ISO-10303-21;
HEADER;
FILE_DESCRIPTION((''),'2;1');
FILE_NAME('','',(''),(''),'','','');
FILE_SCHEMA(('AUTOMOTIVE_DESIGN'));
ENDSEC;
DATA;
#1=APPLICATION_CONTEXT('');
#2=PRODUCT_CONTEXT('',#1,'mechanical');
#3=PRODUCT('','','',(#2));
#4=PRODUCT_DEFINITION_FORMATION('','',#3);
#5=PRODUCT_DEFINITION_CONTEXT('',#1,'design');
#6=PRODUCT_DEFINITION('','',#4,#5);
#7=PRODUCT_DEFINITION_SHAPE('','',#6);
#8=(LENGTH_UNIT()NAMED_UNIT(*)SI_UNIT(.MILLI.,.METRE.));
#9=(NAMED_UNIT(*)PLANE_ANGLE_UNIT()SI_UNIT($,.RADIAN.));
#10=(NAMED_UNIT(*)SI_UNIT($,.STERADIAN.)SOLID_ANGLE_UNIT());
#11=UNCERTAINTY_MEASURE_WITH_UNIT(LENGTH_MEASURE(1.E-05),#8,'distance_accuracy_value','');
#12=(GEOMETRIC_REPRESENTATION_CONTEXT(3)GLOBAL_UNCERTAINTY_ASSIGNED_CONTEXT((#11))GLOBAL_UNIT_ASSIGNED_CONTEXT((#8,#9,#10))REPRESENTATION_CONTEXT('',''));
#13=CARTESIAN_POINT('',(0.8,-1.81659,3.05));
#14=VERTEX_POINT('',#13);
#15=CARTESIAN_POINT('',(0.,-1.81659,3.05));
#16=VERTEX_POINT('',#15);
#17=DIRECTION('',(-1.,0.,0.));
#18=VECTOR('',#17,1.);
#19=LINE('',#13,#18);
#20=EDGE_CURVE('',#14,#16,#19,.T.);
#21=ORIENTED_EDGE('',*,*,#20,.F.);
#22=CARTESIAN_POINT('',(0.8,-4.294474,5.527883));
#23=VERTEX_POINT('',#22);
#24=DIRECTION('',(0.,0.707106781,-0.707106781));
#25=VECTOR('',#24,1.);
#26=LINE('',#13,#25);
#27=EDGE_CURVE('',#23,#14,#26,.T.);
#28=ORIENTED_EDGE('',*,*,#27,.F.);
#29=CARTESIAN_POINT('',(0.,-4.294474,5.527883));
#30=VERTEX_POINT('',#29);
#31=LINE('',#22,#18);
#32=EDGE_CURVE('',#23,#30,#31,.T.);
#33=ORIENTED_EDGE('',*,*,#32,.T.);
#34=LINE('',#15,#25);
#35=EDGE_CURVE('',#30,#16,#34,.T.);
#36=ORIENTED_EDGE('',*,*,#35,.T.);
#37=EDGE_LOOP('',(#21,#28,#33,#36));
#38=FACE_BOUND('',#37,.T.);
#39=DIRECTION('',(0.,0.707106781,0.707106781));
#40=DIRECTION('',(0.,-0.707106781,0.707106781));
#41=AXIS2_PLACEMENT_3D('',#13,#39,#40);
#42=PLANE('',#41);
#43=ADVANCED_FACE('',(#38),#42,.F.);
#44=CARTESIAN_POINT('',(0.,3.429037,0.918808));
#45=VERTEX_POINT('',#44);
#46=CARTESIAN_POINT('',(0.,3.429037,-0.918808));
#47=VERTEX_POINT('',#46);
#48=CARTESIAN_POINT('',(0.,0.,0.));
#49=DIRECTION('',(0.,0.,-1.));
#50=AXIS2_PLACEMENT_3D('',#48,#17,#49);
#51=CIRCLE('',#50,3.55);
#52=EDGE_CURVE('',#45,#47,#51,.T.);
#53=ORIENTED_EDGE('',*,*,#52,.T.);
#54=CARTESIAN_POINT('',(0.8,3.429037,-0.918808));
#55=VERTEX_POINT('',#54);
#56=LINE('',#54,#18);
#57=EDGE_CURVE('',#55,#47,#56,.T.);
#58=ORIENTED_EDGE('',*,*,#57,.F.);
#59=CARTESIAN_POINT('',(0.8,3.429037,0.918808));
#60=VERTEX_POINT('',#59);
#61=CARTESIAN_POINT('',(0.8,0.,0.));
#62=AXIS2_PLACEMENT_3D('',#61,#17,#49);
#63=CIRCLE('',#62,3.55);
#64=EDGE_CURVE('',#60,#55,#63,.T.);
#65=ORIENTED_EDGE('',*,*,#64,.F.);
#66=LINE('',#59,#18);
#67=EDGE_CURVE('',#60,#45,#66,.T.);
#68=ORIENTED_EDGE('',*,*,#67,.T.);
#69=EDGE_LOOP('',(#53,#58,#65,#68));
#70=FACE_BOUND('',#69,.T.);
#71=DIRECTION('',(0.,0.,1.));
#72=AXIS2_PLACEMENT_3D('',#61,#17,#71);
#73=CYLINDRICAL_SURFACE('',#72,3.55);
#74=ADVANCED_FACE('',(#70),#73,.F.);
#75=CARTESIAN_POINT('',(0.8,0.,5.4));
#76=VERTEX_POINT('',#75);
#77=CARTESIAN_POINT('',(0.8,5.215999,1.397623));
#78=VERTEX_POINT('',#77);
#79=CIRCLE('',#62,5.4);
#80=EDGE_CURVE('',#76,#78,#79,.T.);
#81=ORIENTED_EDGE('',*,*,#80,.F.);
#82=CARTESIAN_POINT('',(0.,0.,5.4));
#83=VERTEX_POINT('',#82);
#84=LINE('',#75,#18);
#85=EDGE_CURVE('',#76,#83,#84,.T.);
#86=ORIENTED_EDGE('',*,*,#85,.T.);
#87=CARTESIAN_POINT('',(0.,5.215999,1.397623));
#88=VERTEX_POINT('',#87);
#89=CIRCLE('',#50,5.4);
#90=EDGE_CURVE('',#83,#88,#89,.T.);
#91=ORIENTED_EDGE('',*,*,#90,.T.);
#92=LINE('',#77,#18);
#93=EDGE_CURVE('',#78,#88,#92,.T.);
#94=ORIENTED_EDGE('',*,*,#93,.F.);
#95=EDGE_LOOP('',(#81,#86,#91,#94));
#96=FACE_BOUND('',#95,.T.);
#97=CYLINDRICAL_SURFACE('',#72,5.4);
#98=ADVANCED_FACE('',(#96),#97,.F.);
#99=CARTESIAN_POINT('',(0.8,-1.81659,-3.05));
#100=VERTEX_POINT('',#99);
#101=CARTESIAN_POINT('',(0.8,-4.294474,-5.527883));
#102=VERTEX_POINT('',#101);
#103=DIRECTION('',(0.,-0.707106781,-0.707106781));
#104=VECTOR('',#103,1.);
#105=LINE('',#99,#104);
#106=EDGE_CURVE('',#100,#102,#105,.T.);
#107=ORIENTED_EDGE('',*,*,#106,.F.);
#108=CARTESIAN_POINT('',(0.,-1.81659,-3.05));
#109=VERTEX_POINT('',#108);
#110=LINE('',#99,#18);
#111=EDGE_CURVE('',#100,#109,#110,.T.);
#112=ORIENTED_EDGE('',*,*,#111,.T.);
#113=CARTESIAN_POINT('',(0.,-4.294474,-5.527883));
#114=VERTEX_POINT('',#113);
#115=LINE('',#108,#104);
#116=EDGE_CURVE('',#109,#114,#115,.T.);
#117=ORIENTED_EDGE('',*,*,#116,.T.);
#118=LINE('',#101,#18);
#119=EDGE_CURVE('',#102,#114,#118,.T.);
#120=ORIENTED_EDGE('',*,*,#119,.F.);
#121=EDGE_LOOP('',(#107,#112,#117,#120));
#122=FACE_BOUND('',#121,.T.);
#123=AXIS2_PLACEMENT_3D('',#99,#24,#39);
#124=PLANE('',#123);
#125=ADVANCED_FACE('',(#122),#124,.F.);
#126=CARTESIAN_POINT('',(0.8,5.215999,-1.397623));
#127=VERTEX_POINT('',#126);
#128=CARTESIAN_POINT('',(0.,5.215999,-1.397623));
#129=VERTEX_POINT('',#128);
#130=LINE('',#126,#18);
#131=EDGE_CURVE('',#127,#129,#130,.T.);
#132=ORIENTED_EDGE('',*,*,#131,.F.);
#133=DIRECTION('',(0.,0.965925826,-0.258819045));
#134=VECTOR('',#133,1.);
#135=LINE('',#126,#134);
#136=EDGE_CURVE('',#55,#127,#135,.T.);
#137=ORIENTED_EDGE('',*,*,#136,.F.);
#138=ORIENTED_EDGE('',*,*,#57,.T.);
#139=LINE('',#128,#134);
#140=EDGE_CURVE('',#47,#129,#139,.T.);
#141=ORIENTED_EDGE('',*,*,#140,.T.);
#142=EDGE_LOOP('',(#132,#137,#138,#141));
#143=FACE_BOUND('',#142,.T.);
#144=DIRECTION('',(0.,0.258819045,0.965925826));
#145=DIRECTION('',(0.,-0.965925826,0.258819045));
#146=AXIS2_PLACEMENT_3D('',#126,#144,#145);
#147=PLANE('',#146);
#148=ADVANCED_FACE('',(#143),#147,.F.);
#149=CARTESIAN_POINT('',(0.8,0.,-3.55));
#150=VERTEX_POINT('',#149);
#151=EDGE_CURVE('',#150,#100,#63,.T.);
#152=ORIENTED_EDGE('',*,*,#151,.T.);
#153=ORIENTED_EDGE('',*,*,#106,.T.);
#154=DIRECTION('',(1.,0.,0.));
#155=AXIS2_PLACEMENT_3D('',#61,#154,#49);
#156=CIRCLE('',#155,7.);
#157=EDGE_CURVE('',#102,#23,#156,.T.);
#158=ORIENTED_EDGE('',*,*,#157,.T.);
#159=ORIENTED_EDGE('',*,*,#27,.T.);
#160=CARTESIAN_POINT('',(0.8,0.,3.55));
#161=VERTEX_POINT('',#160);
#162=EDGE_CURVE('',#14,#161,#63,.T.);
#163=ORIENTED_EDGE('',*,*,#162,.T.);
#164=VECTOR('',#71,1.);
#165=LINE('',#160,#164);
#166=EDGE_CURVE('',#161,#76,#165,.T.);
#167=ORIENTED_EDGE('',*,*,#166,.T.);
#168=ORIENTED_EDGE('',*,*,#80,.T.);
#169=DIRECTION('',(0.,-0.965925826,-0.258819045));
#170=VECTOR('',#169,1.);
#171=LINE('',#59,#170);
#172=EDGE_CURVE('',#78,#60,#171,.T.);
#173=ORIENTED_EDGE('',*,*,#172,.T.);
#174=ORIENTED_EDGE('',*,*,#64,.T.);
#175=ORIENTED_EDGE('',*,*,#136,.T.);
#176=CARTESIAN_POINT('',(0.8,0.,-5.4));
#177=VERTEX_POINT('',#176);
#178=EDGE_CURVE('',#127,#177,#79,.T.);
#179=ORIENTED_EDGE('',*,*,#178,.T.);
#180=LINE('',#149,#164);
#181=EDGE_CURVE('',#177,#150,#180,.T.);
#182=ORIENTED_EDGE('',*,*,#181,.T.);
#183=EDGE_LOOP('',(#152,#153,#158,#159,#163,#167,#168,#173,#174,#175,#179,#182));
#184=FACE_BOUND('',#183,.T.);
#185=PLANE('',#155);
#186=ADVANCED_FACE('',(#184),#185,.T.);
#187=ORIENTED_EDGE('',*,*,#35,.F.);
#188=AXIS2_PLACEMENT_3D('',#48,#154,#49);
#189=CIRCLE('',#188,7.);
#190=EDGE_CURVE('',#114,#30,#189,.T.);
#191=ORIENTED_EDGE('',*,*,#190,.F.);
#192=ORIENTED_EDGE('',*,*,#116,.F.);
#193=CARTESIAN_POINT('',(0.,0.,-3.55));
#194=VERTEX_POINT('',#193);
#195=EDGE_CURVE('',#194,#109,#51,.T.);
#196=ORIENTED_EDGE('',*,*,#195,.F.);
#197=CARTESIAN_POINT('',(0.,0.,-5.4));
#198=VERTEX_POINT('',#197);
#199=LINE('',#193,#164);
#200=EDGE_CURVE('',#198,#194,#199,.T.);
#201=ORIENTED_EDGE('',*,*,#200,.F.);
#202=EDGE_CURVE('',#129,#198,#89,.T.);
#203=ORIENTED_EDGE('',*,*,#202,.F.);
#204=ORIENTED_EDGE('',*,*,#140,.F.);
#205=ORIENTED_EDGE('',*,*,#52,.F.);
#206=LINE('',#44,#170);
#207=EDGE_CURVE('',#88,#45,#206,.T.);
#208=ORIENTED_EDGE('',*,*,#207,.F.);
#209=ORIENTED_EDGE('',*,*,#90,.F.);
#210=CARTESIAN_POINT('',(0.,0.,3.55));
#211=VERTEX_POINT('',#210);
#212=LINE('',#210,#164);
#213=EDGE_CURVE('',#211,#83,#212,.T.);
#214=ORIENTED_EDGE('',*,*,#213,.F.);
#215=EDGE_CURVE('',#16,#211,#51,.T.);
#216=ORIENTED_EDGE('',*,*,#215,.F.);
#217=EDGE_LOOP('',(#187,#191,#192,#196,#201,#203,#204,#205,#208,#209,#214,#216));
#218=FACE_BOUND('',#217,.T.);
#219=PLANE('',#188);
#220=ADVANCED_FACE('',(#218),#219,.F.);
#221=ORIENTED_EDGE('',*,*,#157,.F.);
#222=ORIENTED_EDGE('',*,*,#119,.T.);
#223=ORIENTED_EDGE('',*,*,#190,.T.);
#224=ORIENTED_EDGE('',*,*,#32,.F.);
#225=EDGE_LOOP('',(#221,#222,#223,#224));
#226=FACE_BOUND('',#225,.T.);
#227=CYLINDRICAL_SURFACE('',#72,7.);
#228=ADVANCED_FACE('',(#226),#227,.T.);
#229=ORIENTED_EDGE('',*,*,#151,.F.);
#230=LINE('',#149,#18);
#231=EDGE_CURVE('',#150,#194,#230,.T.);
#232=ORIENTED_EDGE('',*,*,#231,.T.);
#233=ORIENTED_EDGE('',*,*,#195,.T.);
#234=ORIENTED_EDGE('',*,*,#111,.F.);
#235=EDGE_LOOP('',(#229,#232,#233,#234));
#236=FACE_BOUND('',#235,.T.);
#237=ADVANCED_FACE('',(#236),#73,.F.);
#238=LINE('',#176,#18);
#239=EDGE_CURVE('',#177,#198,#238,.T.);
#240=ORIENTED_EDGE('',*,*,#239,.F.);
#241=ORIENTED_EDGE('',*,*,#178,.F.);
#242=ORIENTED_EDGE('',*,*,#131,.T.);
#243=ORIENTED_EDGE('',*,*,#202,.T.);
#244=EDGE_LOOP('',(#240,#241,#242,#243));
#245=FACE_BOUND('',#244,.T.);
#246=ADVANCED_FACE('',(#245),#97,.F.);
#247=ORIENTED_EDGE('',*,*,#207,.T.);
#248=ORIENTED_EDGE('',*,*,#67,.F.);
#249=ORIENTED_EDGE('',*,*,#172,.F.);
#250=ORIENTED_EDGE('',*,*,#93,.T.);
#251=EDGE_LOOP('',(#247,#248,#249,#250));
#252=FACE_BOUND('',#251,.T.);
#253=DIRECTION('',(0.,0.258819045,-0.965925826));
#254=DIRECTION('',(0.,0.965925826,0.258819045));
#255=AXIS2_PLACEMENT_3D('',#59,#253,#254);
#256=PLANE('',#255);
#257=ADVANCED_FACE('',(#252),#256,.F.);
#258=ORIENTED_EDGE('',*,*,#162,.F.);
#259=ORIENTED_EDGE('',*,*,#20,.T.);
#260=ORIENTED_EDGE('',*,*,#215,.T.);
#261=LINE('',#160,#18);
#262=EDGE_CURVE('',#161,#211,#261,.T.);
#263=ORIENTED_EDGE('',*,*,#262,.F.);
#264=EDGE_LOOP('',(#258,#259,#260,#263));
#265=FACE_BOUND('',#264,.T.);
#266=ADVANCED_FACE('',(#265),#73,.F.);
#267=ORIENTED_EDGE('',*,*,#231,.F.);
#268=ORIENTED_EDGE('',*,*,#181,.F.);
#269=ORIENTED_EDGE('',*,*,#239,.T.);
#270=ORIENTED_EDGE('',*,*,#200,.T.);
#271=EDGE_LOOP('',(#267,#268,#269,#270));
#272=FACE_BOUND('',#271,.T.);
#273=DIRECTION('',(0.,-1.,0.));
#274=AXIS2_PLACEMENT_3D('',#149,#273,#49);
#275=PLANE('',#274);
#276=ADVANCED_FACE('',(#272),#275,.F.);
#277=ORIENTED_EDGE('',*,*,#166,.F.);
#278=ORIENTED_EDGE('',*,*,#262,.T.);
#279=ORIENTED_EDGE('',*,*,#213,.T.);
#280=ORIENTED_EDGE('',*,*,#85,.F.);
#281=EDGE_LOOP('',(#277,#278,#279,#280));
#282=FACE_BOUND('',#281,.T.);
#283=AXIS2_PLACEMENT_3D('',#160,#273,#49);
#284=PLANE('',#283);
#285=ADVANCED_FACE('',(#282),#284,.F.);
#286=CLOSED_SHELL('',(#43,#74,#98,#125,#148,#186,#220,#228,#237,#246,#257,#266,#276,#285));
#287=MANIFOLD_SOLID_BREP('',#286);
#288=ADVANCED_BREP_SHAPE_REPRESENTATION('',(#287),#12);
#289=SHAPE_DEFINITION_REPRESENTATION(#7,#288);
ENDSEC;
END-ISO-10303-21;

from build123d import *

# Parameters (mm, degrees)
BOSS_EXTRUDE1_DEPTH = 0.8


with BuildPart() as part:
    # Sketch1 → Boss-Extrude1 (new body)
    with BuildSketch(Plane(origin=(0, 0, 0), x_dir=(0, 0, -1), z_dir=(1, 0, 0))):
        with BuildLine():
            Line((-3.55, 0), (-5.4, 0))
            ThreePointArc((-5.4, 0), (-4.284108038, 3.287311717), (-1.397622844, 5.215999462))
            Line((-1.397622844, 5.215999462), (-0.91880761, 3.429036683))
            ThreePointArc((-0.91880761, 3.429036683), (0, 3.55), (0.91880761, 3.429036683))
            Line((0.91880761, 3.429036683), (1.397622844, 5.215999462))
            ThreePointArc((1.397622844, 5.215999462), (4.284108038, 3.287311717), (5.4, 0))
            Line((5.4, 0), (3.55, 0))
            ThreePointArc((3.55, 0), (3.422718218, -0.942072184), (3.05, -1.816590212))
            Line((3.05, -1.816590212), (5.527883477, -4.294473689))
            ThreePointArc((5.527883477, -4.294473689), (0, 7), (-5.527883477, -4.294473689))
            Line((-5.527883477, -4.294473689), (-3.05, -1.816590212))
            ThreePointArc((-3.05, -1.816590212), (-3.422718218, -0.942072184), (-3.55, 0))
        make_face()
    extrude(amount=BOSS_EXTRUDE1_DEPTH)


solid = part.part
